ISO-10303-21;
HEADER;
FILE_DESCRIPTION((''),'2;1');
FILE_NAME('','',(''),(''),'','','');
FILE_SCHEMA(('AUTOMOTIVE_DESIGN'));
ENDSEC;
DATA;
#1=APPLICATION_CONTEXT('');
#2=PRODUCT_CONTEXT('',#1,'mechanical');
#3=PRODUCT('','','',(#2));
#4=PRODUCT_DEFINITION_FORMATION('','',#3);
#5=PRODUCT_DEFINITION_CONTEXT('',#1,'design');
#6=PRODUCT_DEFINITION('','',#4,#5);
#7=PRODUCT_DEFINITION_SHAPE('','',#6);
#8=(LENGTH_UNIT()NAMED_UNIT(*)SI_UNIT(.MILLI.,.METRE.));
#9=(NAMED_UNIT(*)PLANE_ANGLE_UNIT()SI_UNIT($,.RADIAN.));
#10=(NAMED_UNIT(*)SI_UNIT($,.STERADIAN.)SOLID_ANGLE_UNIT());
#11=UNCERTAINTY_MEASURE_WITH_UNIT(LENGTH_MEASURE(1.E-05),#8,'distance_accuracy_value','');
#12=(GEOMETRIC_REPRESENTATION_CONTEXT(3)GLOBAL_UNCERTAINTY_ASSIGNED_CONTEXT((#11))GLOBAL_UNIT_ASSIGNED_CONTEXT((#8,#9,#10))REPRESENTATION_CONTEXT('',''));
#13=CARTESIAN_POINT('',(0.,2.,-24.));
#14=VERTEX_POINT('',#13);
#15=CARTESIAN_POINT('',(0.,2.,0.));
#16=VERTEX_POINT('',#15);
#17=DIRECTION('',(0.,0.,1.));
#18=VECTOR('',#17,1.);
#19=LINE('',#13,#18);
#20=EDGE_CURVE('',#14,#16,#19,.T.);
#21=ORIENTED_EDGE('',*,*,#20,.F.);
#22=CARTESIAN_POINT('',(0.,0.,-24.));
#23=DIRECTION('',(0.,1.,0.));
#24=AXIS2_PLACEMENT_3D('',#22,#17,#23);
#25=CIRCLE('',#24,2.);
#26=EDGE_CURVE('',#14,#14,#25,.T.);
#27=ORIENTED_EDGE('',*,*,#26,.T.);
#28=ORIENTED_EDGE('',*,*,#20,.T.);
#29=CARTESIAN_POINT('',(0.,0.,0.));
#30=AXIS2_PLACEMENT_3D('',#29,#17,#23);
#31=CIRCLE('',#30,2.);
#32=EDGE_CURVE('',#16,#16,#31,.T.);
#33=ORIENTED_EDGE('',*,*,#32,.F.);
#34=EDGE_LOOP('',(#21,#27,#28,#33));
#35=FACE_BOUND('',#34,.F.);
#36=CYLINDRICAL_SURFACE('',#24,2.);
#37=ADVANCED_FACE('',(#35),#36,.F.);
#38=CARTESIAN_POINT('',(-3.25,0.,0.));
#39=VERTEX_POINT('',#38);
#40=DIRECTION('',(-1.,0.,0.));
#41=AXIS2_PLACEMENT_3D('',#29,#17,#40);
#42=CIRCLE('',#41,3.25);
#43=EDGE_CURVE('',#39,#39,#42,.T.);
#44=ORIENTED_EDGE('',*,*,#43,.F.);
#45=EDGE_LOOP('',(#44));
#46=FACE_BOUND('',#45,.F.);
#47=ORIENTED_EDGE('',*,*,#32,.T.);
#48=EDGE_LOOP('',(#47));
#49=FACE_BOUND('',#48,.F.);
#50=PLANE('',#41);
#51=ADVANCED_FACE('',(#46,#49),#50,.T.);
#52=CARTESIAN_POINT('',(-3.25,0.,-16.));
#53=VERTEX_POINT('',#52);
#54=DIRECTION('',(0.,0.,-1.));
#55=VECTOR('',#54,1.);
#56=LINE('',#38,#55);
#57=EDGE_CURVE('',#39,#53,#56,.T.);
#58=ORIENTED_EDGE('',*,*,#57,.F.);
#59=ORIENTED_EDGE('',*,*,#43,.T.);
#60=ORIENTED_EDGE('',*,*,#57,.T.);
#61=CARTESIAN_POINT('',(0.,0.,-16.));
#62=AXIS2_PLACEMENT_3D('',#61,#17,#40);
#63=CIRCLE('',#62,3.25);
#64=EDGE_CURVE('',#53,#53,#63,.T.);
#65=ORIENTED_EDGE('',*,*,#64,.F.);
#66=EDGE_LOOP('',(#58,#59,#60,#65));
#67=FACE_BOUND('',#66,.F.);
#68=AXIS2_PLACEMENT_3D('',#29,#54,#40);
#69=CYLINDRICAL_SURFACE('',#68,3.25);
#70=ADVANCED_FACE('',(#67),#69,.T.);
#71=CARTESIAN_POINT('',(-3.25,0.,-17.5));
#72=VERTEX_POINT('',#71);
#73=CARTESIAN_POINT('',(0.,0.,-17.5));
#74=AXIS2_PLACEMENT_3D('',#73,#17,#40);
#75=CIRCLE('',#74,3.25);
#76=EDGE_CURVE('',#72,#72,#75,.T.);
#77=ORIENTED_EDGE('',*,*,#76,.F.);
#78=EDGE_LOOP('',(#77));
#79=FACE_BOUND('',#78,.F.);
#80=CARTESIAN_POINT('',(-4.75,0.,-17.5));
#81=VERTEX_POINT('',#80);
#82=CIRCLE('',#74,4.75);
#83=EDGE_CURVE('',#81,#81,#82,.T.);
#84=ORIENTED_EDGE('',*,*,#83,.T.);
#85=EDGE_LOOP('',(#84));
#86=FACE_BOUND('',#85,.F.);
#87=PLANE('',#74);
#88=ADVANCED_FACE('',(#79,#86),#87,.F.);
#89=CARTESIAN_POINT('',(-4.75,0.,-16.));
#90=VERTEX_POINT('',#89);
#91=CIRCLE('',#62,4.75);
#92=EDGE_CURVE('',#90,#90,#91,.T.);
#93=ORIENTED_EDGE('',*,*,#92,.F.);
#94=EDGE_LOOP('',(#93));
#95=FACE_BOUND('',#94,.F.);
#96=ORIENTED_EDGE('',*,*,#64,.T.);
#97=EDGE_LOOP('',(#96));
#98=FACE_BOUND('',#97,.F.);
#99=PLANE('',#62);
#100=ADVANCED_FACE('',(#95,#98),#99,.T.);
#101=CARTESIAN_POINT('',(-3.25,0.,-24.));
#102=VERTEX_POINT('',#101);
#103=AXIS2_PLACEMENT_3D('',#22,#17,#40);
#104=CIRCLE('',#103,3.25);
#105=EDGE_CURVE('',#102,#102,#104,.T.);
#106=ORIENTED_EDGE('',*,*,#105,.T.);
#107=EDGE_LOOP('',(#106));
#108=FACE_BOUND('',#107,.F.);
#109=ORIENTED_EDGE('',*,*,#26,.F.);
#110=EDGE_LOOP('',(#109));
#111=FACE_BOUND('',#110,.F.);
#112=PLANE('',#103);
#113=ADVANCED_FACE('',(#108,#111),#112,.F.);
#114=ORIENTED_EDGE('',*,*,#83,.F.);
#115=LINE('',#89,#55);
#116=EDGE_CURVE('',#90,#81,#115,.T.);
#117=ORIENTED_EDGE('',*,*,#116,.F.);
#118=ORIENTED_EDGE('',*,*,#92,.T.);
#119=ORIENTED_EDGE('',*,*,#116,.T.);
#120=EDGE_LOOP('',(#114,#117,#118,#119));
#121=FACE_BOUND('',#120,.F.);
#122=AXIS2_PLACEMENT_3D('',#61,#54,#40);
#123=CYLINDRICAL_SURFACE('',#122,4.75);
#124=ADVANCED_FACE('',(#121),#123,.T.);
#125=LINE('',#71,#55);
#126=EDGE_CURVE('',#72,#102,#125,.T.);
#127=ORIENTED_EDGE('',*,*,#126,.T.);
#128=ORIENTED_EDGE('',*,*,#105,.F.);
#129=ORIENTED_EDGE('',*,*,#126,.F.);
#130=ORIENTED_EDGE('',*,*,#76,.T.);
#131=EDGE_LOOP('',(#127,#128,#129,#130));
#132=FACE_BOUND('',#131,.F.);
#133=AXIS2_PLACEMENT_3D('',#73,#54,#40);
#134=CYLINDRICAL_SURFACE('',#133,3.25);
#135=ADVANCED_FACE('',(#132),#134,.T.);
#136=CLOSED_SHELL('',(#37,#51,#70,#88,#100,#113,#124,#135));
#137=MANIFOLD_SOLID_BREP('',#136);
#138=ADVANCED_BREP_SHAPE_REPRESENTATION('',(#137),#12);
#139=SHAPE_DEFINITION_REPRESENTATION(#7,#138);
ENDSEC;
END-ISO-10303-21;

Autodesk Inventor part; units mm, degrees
ref_plane "YZ Plane" through (0, 0, 0) normal (1, 0, 0) x (0, 1, 0)
ref_plane "XZ Plane" through (0, 0, 0) normal (0, 1, 0) x (-1, 0, 0)
ref_plane "XY Plane" through (0, 0, 0) normal (0, 0, 1) x (1, 0, 0)
sketch "Skizze1" plane through (0, 0, 0) normal (0, 1, 0) x (-1, 0, 0)
  line L0 (0, 0) -> (3.25, 0)
  line L1 (3.25, 0) -> (3.25, -16)
  line L2 (3.25, -16) -> (4.75, -16)
  line L3 (4.75, -16) -> (4.75, -17.5)
  line L4 (4.75, -17.5) -> (3.25, -17.5)
  line L5 (3.25, -17.5) -> (3.25, -24)
  line L6 (3.25, -24) -> (0, -24)
  line L7 (0, -24) -> (0, 0)
  point P0 (4.75, -16.75)
  dimension "d0" = 6.5
  dimension "d1" = 9.5
  dimension "d2" = 16
  dimension "d3" = 1.5
  dimension "d4" = 6.5
revolve "Umdrehung1" add sketch "Skizze1" angle 360 about axis through (0, 0, -24) along (0, 0, 1)
sketch "Skizze2" plane through (0, 0, -24) normal (0, 0, -1) x (-1, 0, 0)
  circle A0 centre (0, 0) radius 3.25 projected
hole "Bohrung1" at (0, 0, -24) direction (0, 0, 1) diameter 4 depth 24
properties part number "07" material "Nylon 6/6"
